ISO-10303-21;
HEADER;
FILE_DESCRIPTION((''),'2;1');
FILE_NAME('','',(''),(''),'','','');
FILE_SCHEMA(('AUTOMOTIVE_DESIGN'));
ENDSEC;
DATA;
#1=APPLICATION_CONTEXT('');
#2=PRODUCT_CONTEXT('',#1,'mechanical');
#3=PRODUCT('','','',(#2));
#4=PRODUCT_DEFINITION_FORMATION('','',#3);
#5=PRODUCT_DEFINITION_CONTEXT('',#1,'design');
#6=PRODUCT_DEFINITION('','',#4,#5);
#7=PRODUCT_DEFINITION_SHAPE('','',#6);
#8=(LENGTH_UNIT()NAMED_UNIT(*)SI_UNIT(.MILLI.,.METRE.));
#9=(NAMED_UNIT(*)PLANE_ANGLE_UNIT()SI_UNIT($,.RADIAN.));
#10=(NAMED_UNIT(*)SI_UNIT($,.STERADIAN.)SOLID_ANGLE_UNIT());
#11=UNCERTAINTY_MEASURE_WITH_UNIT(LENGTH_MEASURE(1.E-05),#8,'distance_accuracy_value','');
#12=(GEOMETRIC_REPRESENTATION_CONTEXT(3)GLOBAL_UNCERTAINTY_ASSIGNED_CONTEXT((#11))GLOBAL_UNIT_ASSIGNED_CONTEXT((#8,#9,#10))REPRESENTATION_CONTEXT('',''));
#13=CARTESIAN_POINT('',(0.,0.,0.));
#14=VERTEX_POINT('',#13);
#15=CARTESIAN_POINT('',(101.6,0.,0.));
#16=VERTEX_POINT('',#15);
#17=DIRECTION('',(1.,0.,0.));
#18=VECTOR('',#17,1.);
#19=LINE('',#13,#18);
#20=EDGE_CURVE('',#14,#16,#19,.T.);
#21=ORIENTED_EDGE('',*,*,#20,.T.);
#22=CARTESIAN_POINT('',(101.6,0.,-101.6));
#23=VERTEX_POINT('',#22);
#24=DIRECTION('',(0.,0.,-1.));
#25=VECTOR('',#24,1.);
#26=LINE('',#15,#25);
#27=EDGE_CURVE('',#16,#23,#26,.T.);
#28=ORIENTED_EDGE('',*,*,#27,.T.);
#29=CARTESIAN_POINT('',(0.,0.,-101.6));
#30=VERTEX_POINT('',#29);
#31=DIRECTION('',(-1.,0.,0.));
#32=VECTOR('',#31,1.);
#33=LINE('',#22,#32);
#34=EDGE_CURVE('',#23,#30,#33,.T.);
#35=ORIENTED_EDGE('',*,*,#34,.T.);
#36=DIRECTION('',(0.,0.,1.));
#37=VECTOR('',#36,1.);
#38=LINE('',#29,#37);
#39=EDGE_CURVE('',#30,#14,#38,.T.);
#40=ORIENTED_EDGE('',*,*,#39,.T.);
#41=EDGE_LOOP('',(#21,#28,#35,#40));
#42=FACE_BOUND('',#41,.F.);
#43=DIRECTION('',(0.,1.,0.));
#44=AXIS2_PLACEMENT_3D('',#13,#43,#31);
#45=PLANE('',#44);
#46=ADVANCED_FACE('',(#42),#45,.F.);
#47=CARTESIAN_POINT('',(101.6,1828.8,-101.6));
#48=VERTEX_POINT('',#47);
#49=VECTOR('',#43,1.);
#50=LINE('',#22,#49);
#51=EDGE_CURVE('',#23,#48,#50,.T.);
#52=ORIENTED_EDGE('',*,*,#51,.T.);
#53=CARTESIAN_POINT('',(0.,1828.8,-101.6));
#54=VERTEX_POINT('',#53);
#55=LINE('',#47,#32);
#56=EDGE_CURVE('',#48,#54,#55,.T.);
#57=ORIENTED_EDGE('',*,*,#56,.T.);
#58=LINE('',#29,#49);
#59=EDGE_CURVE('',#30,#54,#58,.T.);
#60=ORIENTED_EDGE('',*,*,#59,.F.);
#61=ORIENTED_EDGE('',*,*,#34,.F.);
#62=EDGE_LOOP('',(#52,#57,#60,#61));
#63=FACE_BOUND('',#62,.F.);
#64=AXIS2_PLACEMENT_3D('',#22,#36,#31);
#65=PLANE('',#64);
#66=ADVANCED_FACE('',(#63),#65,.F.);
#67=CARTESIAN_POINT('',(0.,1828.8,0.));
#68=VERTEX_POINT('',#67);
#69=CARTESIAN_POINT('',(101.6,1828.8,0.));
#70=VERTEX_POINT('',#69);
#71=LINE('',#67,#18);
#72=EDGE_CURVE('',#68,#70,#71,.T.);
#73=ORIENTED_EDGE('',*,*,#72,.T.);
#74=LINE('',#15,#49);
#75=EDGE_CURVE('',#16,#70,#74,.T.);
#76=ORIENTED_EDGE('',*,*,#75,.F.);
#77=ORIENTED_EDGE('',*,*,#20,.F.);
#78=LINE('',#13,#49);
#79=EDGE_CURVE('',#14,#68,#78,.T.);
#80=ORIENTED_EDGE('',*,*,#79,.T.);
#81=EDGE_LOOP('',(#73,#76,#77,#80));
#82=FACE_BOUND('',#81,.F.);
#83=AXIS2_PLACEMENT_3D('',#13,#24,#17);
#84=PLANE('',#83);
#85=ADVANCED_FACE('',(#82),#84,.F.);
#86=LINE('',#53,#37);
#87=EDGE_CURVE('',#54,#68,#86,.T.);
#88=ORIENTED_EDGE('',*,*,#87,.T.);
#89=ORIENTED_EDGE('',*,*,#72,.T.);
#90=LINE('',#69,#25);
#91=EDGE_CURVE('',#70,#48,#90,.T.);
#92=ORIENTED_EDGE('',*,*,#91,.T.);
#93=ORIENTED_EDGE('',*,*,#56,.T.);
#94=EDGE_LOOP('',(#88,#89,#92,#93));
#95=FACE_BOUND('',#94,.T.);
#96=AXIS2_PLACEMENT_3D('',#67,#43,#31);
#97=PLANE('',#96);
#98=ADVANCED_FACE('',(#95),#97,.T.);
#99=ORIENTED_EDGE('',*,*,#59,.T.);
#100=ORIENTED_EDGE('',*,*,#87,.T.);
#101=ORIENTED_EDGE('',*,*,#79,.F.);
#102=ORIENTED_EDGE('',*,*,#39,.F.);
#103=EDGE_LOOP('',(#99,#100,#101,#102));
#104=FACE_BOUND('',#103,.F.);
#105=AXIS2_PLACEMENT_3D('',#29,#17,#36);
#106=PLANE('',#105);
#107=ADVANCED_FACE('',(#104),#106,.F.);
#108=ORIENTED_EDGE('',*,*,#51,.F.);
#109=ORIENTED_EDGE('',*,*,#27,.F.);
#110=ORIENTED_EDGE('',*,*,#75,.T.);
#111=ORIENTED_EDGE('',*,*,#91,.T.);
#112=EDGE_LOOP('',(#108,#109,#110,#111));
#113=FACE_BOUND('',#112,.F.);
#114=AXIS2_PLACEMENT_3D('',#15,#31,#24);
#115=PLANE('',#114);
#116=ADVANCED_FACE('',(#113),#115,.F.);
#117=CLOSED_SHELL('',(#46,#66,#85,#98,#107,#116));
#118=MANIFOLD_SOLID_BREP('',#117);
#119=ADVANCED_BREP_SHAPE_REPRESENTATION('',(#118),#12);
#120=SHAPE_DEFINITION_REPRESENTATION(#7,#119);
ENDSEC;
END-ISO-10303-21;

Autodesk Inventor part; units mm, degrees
ref_plane "YZ Plane" through (0, 0, 0) normal (1, 0, 0) x (0, 1, 0)
ref_plane "XZ Plane" through (0, 0, 0) normal (0, 1, 0) x (-1, 0, 0)
ref_plane "XY Plane" through (0, 0, 0) normal (0, 0, 1) x (1, 0, 0)
sketch "Sketch1" plane through (0, 0, 0) normal (0, 1, 0) x (-1, 0, 0)
  line L0 (0, 0) -> (-101.6, 0)
  line L1 (-101.6, 0) -> (-101.6, -101.6)
  line L2 (-101.6, -101.6) -> (0, -101.6)
  line L3 (0, -101.6) -> (0, 0)
  dimension "d0" = 101.6
  dimension "d1" = 101.6
extrude "Extrusion1" add sketch "Sketch1" along normal blind 1828.8
properties part number "BottomPost" material "Wood (Birch)"
